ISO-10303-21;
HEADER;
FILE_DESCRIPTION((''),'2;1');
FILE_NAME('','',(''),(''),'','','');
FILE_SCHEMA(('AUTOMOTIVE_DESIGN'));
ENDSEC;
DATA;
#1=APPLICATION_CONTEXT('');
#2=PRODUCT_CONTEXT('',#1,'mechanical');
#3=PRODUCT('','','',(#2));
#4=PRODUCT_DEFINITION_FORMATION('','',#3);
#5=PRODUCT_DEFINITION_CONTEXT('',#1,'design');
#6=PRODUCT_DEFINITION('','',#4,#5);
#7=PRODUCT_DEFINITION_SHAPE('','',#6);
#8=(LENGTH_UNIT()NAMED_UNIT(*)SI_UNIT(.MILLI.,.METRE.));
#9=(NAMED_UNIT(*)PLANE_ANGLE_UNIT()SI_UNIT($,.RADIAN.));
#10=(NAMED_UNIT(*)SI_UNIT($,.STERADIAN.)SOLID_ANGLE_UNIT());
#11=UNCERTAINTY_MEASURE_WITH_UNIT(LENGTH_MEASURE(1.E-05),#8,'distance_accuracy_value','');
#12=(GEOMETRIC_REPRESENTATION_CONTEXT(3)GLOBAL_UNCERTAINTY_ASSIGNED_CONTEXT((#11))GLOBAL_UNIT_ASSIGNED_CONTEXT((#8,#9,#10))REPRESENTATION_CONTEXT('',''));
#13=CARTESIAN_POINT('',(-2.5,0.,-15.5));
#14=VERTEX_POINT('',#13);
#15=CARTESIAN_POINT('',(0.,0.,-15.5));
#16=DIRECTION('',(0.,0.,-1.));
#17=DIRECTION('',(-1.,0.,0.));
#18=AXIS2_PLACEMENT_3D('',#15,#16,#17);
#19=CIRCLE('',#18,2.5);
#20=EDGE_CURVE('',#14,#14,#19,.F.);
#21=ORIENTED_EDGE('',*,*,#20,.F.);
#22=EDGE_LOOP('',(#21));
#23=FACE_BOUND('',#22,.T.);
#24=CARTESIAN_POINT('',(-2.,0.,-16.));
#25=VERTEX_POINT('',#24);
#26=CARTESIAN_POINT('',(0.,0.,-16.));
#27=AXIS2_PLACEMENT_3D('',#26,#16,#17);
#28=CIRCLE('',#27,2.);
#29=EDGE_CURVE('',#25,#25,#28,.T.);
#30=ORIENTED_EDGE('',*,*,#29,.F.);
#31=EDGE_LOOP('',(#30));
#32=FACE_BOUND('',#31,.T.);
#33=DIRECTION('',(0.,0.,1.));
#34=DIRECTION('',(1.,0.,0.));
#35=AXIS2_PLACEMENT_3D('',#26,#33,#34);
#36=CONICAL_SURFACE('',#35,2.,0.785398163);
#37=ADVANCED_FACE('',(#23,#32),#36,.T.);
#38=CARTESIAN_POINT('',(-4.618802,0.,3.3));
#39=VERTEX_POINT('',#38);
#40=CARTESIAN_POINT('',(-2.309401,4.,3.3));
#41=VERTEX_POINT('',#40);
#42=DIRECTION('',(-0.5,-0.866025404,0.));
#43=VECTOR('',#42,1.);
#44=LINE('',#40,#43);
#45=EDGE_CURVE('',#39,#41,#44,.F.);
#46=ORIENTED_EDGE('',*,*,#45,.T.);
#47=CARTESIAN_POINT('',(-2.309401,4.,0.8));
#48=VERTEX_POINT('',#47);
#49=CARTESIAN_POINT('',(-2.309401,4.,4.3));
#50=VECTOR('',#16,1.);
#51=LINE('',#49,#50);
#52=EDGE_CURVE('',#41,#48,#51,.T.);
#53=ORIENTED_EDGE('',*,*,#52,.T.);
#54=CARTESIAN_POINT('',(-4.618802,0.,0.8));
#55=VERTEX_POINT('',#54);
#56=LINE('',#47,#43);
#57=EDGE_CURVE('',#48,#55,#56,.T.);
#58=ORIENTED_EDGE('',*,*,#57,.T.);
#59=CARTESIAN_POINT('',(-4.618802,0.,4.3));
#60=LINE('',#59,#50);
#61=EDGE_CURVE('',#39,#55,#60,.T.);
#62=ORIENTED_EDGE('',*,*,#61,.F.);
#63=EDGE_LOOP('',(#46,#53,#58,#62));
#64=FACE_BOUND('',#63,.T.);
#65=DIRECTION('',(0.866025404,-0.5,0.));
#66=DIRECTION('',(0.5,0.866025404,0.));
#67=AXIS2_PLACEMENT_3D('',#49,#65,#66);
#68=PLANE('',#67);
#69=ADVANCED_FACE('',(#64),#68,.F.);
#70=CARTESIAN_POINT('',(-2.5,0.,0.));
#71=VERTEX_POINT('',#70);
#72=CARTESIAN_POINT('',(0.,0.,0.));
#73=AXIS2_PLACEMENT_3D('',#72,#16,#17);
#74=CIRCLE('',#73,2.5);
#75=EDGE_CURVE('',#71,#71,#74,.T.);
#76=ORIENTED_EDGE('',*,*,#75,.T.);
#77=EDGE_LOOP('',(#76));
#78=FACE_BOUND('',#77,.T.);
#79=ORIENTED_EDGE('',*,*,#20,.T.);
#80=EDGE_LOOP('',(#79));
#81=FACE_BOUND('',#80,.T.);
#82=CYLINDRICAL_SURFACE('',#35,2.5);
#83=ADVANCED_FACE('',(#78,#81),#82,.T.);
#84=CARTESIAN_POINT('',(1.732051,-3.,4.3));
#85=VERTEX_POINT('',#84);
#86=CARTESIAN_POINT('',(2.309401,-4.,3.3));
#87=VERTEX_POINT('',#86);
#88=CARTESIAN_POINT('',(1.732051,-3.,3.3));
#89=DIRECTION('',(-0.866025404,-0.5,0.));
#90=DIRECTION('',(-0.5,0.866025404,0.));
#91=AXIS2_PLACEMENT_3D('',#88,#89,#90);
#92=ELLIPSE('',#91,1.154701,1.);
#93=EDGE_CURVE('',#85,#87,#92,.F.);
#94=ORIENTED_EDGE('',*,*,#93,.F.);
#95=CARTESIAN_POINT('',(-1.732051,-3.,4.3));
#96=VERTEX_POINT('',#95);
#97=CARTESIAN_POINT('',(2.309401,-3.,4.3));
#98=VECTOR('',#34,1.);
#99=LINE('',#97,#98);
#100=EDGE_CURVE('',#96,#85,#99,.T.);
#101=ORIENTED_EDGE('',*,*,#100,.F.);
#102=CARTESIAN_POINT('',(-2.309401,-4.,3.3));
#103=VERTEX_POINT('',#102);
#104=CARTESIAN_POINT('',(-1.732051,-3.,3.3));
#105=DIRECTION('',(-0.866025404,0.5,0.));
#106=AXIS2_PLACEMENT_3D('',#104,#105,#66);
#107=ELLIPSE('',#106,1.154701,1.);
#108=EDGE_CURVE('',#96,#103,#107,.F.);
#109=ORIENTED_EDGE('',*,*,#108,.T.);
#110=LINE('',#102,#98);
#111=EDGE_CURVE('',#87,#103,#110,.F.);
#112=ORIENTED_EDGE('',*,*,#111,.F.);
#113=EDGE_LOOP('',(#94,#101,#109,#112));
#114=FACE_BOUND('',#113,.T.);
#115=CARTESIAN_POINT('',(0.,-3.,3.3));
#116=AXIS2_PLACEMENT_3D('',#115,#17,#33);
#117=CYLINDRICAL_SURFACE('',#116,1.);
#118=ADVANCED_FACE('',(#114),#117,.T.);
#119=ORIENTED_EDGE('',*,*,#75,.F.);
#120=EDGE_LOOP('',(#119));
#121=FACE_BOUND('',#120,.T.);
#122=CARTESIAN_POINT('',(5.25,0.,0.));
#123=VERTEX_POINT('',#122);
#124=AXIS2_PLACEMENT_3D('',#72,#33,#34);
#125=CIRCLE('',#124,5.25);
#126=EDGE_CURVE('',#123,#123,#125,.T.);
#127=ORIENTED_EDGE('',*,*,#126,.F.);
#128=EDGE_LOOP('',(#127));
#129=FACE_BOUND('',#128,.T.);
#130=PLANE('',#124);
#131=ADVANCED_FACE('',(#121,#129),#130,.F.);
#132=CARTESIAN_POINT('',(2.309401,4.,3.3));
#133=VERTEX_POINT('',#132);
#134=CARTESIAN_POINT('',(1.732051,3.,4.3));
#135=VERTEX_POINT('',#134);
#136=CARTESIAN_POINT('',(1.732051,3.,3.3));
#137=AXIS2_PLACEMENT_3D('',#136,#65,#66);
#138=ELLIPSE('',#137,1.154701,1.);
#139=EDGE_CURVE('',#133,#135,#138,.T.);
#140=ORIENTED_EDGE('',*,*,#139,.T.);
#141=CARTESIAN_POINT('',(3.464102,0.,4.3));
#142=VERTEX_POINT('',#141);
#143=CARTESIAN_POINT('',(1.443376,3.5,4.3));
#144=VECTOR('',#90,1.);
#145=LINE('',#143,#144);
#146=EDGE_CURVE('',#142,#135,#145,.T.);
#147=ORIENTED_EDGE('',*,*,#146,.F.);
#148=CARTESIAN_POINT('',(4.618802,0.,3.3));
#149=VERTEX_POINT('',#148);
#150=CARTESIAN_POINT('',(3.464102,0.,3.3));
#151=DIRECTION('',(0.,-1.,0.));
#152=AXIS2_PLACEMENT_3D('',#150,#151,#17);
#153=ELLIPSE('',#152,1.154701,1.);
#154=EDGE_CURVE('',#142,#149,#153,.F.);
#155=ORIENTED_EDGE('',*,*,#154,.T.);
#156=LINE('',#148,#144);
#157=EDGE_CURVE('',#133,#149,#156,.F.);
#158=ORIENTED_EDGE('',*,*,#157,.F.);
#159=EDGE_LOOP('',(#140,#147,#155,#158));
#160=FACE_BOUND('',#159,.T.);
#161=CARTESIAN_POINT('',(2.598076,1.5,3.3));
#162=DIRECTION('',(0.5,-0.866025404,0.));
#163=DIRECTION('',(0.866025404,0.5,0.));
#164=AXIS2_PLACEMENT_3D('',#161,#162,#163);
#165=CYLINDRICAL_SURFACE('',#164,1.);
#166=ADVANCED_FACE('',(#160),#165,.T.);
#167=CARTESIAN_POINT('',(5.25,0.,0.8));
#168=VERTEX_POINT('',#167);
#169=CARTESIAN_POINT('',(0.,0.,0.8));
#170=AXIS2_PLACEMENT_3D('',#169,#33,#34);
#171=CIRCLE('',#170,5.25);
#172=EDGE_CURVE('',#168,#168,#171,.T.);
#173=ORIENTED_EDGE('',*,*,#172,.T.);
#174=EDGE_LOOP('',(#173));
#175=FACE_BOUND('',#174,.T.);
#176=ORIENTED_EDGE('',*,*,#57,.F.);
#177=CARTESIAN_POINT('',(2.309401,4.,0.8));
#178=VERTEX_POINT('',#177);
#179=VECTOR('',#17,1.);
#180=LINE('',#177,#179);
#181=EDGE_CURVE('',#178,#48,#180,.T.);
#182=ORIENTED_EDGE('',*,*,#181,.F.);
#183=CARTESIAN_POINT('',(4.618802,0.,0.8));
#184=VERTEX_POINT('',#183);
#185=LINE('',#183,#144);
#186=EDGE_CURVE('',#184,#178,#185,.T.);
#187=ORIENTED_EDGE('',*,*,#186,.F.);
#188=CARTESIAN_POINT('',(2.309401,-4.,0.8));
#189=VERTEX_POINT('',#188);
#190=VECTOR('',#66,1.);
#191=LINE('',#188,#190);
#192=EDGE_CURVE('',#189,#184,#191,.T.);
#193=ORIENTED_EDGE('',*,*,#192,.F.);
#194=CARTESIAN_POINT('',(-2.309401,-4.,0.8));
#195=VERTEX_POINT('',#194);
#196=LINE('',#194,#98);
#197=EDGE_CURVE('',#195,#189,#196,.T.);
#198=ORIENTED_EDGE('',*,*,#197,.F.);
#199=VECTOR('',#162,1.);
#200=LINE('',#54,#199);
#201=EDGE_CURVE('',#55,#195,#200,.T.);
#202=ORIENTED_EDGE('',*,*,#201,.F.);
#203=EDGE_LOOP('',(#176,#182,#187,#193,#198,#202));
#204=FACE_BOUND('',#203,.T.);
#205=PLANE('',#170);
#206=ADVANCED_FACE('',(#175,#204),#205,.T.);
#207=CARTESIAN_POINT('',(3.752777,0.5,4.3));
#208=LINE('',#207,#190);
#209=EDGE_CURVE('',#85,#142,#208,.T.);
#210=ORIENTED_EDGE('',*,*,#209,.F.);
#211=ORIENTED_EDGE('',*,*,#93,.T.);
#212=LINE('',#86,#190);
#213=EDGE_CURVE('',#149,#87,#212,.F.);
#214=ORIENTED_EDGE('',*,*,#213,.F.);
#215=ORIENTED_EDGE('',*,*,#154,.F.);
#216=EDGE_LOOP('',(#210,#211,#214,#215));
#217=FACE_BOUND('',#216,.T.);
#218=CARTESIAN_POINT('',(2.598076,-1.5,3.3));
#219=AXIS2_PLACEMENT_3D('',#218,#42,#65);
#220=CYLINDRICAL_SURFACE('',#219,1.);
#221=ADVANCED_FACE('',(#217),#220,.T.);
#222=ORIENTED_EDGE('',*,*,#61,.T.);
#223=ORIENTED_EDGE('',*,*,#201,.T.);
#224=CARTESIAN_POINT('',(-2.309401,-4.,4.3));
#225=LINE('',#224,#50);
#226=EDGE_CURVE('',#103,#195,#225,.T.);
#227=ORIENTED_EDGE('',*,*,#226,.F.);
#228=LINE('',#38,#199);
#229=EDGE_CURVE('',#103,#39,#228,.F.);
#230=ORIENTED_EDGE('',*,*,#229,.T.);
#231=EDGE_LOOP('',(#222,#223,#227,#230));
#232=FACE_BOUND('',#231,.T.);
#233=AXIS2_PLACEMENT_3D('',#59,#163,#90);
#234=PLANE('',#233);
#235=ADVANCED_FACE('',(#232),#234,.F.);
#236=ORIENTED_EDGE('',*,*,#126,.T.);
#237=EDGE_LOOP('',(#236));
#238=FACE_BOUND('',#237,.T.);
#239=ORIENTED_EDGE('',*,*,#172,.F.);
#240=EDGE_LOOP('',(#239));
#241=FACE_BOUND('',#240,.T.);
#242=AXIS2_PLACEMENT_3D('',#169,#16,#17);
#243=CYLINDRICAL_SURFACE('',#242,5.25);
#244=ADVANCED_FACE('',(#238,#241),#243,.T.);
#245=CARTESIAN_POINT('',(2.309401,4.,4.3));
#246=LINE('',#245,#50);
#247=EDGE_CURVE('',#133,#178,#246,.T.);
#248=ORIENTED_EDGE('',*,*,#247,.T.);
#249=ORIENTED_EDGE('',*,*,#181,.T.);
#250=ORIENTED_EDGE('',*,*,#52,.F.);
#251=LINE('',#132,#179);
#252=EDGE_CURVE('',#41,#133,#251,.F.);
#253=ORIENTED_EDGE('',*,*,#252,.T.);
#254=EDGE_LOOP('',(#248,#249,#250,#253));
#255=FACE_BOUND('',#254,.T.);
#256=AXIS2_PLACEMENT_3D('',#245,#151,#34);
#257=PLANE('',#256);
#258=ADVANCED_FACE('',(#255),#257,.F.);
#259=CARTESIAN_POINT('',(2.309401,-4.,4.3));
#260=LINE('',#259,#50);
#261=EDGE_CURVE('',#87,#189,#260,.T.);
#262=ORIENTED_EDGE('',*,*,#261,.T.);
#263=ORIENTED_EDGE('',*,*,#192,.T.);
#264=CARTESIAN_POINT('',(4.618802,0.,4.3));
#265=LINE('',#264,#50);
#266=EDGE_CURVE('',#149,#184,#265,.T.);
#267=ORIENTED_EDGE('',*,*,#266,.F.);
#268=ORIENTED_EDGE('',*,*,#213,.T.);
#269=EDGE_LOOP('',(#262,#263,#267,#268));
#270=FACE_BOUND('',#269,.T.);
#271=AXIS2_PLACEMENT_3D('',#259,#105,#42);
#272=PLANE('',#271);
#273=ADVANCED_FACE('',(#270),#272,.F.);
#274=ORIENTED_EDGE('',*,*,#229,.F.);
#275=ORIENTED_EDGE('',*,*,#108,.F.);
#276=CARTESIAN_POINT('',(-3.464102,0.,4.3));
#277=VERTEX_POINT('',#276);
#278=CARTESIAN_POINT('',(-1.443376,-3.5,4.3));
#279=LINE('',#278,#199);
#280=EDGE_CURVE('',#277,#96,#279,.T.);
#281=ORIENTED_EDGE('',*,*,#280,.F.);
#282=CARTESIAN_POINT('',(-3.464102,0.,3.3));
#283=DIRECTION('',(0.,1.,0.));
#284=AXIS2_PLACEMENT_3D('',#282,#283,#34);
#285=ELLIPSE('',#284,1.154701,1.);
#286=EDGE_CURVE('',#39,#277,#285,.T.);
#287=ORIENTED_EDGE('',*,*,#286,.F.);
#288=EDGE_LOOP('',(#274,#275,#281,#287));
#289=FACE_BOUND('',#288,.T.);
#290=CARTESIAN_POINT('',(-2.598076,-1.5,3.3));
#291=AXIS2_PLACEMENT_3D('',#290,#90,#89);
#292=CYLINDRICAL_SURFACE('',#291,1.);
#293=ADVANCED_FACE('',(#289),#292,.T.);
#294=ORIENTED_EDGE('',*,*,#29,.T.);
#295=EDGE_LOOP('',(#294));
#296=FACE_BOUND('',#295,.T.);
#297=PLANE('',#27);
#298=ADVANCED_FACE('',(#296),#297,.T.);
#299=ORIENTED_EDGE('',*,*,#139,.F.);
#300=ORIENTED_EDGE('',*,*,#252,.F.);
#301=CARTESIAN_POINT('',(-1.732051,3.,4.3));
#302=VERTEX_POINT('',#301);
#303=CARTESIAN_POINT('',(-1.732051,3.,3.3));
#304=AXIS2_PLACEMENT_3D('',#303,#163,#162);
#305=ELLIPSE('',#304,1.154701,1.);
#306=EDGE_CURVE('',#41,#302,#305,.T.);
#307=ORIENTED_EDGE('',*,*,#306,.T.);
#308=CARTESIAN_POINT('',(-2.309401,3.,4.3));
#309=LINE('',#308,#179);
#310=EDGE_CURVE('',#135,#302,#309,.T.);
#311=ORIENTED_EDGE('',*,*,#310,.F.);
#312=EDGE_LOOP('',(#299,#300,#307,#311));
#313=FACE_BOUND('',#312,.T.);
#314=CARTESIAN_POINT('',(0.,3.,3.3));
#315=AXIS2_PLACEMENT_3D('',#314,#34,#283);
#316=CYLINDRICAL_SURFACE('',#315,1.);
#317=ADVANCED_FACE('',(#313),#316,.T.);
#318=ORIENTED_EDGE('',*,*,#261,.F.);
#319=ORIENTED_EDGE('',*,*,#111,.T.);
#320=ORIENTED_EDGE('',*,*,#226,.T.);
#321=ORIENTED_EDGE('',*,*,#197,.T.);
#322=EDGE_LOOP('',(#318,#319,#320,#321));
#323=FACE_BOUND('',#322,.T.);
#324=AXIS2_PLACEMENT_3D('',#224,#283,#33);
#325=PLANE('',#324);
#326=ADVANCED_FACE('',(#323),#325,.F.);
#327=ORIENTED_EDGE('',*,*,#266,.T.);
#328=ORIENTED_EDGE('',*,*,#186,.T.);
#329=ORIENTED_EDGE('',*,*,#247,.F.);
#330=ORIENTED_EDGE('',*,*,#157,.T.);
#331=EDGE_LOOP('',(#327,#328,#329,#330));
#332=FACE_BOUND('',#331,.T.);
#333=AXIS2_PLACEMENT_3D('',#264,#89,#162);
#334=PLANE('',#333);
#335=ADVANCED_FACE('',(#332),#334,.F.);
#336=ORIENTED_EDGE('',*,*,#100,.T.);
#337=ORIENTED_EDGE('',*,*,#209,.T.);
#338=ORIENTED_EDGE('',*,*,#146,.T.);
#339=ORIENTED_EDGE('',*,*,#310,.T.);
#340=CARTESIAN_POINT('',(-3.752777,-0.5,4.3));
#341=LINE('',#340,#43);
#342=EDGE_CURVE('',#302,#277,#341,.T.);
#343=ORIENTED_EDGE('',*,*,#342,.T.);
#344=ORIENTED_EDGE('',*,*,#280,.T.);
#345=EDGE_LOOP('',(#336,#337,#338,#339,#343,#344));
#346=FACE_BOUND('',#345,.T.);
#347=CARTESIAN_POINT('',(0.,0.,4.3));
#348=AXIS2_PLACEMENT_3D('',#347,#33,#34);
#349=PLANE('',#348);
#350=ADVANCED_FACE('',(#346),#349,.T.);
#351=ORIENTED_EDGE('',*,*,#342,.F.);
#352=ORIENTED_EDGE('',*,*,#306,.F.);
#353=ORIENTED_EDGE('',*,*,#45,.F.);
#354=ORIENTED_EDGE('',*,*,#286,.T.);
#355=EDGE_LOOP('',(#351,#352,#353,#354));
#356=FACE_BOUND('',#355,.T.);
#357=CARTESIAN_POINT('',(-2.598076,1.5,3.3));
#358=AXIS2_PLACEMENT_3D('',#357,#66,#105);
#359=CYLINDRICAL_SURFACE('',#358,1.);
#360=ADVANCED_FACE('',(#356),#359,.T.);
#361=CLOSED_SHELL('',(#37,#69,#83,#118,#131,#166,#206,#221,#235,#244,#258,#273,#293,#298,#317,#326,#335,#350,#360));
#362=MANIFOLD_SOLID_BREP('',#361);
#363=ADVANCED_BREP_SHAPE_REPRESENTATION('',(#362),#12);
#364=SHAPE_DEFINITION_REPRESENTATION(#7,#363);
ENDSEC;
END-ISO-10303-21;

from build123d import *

# Parameters (mm, degrees)
SKETCH_2_R      = 5.25
EXTRUDE_1_DEPTH = 0.8
EXTRUDE_2_DEPTH = 3.5
SKETCH_4_R      = 2.5
EXTRUDE_3_DEPTH = 16
FILLET_1_R      = 1
CHAMFER_1_SIZE  = 0.5


with BuildPart() as part:
    # Эскиз2 → Бобышка-Вытянуть1 (new body)
    with BuildSketch(Plane.XY):
        Circle(SKETCH_2_R)
    extrude(amount=EXTRUDE_1_DEPTH)

    # Эскиз3 → Бобышка-Вытянуть2 (add)
    with BuildSketch(Plane.XY.offset(0.8)):
        Polygon((-2.309401077, 4), (-4.618802154, 0), (-2.309401077, -4), (2.309401077, -4), (4.618802154, 0), (2.309401077, 4), align=None)
    extrude(amount=EXTRUDE_2_DEPTH)

    # Эскиз4 → Бобышка-Вытянуть3 (add)
    with BuildSketch(Plane(origin=(0, 0, 0), x_dir=(-1, 0, 0), z_dir=(0, 0, -1))):
        Circle(SKETCH_4_R)
    extrude(amount=EXTRUDE_3_DEPTH)

    # Скругление1
    fillet_1_edges = [part.edges().sort_by_distance(p)[0] for p in [
        (0, 4, 4.3),
        (-3.464101615, 2, 4.3),
        (-3.464101615, -2, 4.3),
        (0, -4, 4.3),
        (3.464101615, -2, 4.3),
        (3.464101615, 2, 4.3),
    ]]
    fillet(fillet_1_edges, radius=FILLET_1_R)

    # Фаска1
    chamfer_1_edges = [part.edges().sort_by_distance(p)[0] for p in [
        (2.5, 0, -16),
    ]]
    chamfer(chamfer_1_edges, length=CHAMFER_1_SIZE)


solid = part.part
